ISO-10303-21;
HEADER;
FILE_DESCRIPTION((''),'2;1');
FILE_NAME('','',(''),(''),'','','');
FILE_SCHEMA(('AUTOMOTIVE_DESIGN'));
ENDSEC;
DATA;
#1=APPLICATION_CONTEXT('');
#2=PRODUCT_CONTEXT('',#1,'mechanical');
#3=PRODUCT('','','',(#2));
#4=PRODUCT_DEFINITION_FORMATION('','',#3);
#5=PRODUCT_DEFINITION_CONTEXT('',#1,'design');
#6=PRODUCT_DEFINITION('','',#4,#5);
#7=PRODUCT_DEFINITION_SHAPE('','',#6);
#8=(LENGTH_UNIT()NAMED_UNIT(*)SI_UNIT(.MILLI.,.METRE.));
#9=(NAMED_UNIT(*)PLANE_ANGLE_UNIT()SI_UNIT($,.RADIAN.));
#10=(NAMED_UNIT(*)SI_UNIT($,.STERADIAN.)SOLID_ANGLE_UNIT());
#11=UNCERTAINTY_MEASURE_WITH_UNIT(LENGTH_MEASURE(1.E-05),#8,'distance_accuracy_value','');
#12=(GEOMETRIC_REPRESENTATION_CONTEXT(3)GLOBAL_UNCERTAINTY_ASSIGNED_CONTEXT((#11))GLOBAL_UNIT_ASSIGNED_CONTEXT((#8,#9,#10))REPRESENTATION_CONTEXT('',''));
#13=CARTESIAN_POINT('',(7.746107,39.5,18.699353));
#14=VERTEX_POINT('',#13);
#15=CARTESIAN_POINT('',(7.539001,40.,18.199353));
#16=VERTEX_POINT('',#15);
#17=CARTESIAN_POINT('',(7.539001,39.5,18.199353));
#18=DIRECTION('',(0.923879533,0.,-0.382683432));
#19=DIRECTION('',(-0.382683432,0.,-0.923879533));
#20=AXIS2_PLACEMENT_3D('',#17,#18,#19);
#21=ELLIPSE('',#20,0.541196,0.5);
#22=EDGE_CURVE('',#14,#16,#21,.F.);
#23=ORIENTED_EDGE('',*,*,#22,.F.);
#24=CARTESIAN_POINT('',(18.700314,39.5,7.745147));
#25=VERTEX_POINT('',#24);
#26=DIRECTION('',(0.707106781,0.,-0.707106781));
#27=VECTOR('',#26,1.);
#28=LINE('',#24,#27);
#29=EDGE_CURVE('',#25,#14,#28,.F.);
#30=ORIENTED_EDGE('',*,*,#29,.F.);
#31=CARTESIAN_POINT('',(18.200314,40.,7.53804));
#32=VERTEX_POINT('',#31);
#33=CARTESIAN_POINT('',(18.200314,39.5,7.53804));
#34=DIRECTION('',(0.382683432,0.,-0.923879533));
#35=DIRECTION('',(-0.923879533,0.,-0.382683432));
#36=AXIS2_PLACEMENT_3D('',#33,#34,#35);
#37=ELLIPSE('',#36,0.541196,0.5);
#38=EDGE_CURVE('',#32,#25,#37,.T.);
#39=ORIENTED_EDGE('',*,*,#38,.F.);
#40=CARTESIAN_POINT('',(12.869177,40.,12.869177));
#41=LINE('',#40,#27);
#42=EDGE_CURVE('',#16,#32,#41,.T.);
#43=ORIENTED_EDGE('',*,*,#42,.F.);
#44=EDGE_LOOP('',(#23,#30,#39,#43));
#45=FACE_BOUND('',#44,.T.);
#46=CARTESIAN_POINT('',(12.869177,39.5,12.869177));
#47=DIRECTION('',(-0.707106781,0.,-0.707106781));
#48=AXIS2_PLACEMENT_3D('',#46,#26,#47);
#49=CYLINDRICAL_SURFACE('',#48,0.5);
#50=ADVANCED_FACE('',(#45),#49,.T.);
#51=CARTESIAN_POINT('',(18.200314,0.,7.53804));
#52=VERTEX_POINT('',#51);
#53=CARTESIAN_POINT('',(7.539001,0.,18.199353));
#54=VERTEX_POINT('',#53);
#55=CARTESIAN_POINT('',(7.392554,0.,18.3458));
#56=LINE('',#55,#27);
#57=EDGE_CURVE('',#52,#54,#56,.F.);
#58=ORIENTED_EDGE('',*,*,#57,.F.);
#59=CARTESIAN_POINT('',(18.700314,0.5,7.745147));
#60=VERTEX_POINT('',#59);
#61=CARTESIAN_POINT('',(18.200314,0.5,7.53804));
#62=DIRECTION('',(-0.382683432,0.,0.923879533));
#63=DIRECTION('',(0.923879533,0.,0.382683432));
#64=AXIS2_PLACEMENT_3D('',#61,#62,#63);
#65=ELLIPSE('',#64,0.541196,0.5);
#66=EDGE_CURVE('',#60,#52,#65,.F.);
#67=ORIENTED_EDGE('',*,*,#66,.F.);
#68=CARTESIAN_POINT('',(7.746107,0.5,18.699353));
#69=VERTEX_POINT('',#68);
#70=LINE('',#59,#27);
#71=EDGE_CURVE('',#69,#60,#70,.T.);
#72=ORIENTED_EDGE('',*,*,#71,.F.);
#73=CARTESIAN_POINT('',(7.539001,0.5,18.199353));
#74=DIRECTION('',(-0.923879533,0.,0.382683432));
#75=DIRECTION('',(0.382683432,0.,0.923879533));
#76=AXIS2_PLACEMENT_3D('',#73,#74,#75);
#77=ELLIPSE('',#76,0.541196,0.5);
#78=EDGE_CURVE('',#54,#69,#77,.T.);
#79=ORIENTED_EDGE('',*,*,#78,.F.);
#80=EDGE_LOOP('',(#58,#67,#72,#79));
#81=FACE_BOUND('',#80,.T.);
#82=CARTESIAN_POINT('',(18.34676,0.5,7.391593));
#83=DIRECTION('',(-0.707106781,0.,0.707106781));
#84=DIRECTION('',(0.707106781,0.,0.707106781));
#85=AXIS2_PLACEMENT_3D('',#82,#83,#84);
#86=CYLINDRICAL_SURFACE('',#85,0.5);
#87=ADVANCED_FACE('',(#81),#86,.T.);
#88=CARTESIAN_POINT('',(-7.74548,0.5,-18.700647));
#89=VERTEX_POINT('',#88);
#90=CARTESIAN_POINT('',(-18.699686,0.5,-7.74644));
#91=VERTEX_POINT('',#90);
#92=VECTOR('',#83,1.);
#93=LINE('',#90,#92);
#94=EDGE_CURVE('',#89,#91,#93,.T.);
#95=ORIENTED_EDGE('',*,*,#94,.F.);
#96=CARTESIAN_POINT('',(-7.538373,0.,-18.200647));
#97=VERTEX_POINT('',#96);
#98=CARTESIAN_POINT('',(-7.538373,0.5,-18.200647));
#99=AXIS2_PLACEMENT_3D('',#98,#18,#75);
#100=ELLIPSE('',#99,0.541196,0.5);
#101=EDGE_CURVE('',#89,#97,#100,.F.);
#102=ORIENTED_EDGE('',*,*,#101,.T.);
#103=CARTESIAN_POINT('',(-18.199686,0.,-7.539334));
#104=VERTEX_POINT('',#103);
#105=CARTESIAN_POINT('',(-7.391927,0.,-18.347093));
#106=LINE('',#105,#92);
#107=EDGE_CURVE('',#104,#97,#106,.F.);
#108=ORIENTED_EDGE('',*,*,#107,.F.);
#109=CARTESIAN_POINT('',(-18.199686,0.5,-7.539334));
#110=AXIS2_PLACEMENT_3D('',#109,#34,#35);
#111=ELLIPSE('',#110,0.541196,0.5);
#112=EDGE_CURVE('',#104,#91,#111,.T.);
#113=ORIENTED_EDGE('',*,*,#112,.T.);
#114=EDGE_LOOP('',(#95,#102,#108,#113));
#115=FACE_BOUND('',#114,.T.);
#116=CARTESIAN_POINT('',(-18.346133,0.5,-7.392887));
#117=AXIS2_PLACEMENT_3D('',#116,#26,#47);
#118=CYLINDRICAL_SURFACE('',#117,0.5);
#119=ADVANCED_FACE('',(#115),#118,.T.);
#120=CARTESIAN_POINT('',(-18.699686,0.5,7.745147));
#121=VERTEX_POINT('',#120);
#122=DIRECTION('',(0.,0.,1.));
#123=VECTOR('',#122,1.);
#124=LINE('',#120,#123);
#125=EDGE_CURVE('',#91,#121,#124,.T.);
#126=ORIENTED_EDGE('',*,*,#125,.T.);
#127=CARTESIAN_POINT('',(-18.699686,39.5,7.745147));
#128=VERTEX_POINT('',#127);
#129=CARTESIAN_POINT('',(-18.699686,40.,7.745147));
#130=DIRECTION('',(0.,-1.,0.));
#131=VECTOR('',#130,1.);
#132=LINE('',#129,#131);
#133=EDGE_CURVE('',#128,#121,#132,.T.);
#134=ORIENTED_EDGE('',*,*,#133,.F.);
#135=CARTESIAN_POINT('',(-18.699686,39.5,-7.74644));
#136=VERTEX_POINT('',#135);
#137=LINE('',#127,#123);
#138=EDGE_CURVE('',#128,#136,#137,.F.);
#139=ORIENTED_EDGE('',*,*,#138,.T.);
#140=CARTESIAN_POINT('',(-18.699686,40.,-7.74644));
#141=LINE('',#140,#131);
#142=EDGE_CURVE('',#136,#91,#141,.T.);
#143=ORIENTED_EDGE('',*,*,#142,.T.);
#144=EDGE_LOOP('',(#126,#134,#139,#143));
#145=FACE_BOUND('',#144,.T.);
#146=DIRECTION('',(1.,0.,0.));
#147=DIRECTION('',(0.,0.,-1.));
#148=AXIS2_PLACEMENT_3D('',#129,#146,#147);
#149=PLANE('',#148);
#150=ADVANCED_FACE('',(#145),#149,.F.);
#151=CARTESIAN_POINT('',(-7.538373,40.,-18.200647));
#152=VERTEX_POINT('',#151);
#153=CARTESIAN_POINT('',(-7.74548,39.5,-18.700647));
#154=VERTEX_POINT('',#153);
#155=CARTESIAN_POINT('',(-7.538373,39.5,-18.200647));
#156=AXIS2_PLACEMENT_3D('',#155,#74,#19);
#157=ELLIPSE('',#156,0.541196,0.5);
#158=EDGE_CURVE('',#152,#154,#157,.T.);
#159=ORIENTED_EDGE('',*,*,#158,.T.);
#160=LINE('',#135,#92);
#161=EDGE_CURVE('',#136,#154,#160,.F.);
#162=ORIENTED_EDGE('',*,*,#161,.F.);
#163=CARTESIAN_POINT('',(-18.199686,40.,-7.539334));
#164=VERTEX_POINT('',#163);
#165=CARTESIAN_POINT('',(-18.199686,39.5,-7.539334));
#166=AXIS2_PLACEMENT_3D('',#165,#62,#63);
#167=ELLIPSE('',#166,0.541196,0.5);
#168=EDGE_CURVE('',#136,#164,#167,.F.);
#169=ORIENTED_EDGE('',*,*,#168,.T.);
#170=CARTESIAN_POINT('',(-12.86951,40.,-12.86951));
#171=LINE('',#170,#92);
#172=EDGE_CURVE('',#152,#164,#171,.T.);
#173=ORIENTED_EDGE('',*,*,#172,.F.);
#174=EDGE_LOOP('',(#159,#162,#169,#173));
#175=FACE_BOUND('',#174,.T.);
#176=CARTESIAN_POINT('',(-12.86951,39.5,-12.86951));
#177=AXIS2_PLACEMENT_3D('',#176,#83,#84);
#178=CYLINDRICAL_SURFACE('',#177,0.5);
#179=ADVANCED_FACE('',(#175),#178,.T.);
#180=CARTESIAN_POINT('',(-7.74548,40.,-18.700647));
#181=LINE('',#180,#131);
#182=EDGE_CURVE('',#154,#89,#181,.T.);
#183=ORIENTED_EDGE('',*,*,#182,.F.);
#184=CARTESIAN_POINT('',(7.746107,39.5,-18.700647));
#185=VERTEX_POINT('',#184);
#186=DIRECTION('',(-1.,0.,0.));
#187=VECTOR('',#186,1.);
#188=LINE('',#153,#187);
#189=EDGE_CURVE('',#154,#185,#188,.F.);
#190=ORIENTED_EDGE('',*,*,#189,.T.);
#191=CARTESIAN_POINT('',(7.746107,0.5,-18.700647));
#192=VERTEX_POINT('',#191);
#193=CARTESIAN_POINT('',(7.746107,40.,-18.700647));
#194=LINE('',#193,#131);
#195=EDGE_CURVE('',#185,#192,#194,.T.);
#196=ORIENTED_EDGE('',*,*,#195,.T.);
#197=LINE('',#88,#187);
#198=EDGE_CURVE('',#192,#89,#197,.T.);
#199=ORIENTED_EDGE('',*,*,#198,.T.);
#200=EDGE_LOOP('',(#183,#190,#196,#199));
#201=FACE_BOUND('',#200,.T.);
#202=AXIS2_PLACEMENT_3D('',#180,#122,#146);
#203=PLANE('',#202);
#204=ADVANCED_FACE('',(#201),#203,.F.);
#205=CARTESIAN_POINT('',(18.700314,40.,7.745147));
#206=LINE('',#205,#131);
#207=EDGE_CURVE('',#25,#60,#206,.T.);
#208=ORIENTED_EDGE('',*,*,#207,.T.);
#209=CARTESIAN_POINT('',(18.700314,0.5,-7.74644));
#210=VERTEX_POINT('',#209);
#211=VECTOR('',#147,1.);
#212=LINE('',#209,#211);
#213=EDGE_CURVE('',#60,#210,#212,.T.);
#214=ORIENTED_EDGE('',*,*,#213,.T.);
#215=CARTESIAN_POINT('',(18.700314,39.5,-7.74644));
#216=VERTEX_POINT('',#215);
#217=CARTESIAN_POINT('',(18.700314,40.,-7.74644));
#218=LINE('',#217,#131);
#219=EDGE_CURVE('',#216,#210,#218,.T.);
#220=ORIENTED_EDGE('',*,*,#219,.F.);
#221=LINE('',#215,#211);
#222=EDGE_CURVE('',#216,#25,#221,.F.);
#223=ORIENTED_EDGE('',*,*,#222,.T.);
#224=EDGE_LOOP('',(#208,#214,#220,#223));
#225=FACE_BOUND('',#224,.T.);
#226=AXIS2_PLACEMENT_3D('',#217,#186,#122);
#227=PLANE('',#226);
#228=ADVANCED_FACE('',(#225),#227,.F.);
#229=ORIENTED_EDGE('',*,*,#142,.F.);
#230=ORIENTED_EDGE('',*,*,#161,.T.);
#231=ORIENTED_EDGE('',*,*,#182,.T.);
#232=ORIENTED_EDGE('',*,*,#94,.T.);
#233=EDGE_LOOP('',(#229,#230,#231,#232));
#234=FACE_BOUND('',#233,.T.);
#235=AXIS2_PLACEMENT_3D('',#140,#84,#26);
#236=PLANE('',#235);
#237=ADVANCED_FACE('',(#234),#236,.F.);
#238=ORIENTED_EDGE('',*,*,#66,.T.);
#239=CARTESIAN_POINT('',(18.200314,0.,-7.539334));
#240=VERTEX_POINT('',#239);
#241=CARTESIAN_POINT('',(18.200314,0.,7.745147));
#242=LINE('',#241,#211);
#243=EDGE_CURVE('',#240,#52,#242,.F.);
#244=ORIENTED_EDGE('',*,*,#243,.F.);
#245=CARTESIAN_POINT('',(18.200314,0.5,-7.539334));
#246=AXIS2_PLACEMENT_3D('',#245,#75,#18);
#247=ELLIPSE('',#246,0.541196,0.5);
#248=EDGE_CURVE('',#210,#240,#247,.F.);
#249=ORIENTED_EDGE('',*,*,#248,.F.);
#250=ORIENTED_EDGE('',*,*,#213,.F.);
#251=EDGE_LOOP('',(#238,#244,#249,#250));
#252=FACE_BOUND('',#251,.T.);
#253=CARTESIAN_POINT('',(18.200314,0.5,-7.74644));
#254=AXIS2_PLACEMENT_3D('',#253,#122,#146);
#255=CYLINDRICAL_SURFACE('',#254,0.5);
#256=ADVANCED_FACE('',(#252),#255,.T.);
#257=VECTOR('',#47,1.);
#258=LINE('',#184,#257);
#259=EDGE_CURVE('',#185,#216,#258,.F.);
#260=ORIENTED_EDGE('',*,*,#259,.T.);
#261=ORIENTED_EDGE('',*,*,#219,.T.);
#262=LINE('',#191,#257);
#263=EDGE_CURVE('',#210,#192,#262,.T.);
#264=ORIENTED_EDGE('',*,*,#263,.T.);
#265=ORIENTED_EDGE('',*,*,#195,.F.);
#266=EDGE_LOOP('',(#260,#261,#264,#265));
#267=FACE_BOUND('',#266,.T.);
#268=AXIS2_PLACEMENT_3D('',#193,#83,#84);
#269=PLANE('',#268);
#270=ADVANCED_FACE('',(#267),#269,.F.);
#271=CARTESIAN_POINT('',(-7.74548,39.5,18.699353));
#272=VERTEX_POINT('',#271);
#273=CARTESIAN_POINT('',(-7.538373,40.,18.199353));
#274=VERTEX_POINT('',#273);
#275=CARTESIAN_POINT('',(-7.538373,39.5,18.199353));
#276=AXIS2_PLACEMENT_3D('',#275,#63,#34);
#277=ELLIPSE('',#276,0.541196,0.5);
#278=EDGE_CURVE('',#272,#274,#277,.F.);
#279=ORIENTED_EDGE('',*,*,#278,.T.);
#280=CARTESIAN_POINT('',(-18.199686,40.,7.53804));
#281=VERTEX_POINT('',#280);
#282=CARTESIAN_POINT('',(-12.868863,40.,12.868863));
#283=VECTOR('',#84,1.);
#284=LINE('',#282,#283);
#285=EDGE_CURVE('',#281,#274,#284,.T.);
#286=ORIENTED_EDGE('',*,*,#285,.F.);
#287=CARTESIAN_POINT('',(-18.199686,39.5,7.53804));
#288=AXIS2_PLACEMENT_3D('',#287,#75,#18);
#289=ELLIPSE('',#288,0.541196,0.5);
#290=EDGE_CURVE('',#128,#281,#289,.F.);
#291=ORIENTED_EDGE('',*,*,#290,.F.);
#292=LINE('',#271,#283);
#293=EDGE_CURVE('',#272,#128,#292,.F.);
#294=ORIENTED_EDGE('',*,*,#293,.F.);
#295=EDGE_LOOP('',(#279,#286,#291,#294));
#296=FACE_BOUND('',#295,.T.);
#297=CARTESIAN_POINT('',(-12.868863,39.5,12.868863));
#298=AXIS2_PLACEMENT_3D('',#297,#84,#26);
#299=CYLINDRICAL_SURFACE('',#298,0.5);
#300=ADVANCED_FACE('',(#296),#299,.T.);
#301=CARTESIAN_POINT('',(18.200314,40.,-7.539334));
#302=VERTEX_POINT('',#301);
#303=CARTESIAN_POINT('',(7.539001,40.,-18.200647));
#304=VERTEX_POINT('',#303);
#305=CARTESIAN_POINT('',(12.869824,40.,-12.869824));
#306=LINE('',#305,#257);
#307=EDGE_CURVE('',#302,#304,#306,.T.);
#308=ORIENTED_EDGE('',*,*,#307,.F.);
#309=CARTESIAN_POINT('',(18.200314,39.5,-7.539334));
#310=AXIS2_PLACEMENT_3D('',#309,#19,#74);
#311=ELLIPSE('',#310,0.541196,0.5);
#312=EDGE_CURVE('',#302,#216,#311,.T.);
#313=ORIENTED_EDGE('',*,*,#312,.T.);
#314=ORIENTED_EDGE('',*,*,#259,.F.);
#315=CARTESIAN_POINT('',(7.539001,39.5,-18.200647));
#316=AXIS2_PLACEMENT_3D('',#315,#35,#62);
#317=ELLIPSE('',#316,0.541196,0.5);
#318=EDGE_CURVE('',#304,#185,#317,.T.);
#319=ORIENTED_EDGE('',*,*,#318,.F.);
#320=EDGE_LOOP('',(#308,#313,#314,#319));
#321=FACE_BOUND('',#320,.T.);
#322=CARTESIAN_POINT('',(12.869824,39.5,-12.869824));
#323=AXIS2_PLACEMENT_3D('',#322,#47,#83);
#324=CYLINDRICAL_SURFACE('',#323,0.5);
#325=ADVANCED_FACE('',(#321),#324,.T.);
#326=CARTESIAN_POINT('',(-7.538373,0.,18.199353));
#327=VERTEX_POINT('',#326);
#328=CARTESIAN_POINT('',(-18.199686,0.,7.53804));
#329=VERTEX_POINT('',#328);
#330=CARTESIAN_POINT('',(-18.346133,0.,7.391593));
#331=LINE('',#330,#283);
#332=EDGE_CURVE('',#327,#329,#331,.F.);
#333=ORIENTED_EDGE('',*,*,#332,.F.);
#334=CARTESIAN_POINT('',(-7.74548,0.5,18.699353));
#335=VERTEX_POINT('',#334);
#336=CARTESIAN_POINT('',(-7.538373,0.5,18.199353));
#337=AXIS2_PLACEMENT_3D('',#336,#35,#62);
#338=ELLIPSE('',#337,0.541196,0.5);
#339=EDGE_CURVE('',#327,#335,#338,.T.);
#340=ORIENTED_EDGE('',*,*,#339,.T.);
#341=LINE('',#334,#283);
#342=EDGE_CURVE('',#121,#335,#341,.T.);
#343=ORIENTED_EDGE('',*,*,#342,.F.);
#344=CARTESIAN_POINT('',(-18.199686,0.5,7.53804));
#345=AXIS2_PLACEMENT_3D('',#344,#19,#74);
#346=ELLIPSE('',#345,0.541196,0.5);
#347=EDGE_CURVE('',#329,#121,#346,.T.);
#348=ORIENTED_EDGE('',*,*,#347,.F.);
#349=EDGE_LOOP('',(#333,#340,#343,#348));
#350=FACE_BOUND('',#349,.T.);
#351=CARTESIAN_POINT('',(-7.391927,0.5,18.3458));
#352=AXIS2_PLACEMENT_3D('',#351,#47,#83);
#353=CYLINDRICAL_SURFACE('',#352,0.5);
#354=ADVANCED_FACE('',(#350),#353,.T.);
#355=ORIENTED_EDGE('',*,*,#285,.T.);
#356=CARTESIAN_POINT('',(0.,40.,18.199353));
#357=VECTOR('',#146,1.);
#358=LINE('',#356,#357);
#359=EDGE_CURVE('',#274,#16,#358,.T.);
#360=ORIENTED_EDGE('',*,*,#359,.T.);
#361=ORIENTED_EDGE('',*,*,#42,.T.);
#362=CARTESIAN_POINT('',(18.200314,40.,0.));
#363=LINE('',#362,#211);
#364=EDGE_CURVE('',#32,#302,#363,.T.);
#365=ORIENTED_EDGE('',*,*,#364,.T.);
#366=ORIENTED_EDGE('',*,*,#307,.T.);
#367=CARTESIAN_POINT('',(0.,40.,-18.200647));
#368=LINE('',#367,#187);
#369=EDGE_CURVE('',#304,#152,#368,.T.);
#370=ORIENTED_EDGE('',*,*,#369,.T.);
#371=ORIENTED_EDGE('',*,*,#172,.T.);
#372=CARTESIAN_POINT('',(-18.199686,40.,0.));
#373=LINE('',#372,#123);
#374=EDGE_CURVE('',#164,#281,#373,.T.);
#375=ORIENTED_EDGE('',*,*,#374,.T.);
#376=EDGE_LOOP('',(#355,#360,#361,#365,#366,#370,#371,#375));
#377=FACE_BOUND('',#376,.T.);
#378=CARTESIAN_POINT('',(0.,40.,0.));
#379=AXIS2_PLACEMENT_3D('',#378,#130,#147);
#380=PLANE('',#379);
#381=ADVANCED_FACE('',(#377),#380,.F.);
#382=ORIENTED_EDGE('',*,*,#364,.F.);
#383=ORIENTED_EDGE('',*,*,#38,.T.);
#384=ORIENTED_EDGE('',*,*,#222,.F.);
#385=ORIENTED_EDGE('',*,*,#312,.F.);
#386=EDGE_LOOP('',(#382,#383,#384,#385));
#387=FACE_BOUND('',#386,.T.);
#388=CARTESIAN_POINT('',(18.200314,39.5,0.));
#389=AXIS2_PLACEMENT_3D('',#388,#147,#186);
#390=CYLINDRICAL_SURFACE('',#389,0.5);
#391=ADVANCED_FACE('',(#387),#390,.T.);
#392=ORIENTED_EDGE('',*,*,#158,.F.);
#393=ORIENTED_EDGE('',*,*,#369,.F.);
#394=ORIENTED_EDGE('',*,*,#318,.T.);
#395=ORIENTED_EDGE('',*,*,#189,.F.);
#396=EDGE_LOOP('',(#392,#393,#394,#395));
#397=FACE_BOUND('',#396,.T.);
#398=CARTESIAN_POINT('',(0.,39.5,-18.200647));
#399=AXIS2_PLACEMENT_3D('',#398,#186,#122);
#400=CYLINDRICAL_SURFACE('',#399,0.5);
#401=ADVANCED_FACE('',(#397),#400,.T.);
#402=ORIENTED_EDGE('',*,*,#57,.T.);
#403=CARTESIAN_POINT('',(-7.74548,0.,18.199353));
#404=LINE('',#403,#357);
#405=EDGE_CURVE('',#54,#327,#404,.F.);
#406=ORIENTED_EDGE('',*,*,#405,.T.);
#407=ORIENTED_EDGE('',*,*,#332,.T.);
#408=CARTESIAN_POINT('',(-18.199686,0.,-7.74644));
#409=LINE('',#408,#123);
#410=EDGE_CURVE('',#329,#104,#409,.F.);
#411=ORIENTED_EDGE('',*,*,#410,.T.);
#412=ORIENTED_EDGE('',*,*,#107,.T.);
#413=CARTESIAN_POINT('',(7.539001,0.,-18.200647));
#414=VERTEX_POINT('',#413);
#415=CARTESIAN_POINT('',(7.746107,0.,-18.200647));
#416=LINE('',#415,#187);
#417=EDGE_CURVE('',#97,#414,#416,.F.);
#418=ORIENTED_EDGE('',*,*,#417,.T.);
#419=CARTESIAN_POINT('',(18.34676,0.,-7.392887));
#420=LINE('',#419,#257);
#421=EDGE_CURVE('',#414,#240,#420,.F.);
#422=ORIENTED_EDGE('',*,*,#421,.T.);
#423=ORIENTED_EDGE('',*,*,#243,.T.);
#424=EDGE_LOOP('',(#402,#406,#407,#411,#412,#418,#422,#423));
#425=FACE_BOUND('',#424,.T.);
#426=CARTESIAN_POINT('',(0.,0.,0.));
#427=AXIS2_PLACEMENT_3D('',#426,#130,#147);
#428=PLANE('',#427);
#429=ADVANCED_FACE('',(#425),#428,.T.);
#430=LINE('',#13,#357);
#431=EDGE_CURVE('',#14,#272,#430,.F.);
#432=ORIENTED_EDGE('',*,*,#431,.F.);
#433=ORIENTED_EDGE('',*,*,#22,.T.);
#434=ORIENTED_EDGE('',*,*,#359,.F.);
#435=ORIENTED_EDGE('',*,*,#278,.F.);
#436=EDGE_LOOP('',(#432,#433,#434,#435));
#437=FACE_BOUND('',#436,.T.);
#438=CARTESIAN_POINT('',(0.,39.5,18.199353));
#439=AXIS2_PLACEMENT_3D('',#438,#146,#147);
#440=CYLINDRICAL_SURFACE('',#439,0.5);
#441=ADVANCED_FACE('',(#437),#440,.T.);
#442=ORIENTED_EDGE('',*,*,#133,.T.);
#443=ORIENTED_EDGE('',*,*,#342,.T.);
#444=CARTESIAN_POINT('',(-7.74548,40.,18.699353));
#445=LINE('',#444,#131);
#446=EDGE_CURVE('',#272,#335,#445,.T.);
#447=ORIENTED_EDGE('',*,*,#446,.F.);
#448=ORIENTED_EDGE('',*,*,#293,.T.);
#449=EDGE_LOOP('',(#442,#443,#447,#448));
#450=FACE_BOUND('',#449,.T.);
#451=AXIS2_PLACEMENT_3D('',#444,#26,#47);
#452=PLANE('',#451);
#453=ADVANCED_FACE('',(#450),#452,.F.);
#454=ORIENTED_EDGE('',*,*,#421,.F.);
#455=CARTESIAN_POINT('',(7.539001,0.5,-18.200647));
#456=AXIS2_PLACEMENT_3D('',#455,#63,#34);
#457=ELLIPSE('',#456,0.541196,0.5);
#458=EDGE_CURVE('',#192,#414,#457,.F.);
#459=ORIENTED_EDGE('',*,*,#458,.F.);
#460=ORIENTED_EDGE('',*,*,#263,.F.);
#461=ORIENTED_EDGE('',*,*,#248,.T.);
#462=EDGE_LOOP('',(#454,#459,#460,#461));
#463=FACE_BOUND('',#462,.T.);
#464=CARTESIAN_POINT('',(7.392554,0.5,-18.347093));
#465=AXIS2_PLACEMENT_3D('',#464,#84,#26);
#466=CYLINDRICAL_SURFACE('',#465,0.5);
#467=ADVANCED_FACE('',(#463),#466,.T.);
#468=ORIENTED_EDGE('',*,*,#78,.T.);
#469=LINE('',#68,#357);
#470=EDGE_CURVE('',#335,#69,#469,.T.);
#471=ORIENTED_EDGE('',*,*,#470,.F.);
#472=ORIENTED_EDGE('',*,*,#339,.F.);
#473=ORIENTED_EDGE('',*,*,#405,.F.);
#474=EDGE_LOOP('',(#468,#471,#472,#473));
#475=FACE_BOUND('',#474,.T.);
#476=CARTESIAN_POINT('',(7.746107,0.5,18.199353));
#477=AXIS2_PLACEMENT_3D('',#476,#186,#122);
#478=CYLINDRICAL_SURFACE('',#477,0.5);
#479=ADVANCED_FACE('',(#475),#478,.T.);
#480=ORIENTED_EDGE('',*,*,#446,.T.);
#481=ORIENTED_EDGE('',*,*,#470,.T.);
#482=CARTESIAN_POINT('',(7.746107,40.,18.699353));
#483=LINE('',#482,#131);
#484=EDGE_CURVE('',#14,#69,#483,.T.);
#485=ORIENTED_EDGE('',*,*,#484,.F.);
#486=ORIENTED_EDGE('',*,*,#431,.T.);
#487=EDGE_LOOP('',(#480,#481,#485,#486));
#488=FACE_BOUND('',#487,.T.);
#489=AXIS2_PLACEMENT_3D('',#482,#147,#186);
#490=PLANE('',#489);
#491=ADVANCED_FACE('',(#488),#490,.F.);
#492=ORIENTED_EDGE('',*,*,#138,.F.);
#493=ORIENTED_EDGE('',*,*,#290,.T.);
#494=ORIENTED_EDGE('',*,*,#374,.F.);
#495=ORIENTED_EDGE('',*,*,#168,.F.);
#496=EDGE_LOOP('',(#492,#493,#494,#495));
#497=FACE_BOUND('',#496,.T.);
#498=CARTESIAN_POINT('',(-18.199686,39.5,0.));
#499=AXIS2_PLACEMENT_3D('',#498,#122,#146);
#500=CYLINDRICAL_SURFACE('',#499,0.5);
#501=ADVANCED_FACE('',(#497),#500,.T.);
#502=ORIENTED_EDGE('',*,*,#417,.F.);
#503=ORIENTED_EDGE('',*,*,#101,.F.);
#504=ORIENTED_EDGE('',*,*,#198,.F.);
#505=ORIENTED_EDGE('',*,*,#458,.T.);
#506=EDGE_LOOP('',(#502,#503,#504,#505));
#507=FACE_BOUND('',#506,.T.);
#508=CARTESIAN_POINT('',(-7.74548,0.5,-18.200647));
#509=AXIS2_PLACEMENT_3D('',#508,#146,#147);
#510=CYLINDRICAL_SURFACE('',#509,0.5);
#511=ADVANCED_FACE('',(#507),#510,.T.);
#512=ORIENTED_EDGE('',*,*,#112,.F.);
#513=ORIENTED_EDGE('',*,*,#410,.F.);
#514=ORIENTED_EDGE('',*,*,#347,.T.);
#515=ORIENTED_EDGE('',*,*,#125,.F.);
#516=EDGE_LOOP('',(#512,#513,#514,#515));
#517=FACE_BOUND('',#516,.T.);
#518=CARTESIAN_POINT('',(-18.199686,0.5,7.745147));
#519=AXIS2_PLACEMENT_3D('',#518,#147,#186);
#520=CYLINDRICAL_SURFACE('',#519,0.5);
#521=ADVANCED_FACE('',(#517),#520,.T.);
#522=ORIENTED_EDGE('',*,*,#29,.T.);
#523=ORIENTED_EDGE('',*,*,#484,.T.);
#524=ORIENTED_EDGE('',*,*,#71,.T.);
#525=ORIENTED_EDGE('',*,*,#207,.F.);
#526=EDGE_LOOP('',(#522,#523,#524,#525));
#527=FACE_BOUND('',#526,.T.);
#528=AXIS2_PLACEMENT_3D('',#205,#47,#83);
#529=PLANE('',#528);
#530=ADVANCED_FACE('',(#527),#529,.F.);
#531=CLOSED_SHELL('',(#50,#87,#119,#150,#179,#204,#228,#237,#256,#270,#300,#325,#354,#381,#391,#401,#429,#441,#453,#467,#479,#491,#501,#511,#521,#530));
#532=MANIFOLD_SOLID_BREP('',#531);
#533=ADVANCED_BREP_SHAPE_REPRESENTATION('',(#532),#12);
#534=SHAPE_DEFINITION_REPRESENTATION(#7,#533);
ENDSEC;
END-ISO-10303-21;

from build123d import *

# Parameters (mm, degrees)
BOSS_EXTRUDE1_DEPTH = 40
FILLET1_R           = 0.5


with BuildPart() as part:
    # Sketch1 → Boss-Extrude1 (new body)
    with BuildSketch(Plane(origin=(0, 0, 0), x_dir=(-1, 0, 0), z_dir=(0, 1, 0))):
        Polygon((7.745479892, -18.700646836), (-7.74610734, -18.700646836), (-18.700313724, -7.746440452), (-18.700313724, 7.745146781), (-7.74610734, 18.699353164), (7.745479892, 18.699353164), (18.699686276, 7.745146781), (18.699686276, -7.746440452), align=None)
    extrude(amount=BOSS_EXTRUDE1_DEPTH)

    # Fillet1
    fillet1_edges = [part.edges().sort_by_distance(p)[0] for p in [
        (0.000313724, 0, 18.699353164),
        (-13.222583084, 0, 13.222249973),
        (-18.699686276, 0, -0.000646836),
        (-13.222583084, 0, -13.223543644),
        (-13.222583084, 40, 13.222249973),
        (0.000313724, 40, 18.699353164),
        (13.223210532, 40, 13.222249973),
        (18.700313724, 40, -0.000646836),
        (13.223210532, 40, -13.223543644),
        (0.000313724, 40, -18.700646836),
        (-13.222583084, 40, -13.223543644),
        (0.000313724, 0, -18.700646836),
        (-18.699686276, 40, -0.000646836),
        (13.223210532, 0, -13.223543644),
        (18.700313724, 0, -0.000646836),
        (13.223210532, 0, 13.222249973),
    ]]
    fillet(fillet1_edges, radius=FILLET1_R)


solid = part.part
